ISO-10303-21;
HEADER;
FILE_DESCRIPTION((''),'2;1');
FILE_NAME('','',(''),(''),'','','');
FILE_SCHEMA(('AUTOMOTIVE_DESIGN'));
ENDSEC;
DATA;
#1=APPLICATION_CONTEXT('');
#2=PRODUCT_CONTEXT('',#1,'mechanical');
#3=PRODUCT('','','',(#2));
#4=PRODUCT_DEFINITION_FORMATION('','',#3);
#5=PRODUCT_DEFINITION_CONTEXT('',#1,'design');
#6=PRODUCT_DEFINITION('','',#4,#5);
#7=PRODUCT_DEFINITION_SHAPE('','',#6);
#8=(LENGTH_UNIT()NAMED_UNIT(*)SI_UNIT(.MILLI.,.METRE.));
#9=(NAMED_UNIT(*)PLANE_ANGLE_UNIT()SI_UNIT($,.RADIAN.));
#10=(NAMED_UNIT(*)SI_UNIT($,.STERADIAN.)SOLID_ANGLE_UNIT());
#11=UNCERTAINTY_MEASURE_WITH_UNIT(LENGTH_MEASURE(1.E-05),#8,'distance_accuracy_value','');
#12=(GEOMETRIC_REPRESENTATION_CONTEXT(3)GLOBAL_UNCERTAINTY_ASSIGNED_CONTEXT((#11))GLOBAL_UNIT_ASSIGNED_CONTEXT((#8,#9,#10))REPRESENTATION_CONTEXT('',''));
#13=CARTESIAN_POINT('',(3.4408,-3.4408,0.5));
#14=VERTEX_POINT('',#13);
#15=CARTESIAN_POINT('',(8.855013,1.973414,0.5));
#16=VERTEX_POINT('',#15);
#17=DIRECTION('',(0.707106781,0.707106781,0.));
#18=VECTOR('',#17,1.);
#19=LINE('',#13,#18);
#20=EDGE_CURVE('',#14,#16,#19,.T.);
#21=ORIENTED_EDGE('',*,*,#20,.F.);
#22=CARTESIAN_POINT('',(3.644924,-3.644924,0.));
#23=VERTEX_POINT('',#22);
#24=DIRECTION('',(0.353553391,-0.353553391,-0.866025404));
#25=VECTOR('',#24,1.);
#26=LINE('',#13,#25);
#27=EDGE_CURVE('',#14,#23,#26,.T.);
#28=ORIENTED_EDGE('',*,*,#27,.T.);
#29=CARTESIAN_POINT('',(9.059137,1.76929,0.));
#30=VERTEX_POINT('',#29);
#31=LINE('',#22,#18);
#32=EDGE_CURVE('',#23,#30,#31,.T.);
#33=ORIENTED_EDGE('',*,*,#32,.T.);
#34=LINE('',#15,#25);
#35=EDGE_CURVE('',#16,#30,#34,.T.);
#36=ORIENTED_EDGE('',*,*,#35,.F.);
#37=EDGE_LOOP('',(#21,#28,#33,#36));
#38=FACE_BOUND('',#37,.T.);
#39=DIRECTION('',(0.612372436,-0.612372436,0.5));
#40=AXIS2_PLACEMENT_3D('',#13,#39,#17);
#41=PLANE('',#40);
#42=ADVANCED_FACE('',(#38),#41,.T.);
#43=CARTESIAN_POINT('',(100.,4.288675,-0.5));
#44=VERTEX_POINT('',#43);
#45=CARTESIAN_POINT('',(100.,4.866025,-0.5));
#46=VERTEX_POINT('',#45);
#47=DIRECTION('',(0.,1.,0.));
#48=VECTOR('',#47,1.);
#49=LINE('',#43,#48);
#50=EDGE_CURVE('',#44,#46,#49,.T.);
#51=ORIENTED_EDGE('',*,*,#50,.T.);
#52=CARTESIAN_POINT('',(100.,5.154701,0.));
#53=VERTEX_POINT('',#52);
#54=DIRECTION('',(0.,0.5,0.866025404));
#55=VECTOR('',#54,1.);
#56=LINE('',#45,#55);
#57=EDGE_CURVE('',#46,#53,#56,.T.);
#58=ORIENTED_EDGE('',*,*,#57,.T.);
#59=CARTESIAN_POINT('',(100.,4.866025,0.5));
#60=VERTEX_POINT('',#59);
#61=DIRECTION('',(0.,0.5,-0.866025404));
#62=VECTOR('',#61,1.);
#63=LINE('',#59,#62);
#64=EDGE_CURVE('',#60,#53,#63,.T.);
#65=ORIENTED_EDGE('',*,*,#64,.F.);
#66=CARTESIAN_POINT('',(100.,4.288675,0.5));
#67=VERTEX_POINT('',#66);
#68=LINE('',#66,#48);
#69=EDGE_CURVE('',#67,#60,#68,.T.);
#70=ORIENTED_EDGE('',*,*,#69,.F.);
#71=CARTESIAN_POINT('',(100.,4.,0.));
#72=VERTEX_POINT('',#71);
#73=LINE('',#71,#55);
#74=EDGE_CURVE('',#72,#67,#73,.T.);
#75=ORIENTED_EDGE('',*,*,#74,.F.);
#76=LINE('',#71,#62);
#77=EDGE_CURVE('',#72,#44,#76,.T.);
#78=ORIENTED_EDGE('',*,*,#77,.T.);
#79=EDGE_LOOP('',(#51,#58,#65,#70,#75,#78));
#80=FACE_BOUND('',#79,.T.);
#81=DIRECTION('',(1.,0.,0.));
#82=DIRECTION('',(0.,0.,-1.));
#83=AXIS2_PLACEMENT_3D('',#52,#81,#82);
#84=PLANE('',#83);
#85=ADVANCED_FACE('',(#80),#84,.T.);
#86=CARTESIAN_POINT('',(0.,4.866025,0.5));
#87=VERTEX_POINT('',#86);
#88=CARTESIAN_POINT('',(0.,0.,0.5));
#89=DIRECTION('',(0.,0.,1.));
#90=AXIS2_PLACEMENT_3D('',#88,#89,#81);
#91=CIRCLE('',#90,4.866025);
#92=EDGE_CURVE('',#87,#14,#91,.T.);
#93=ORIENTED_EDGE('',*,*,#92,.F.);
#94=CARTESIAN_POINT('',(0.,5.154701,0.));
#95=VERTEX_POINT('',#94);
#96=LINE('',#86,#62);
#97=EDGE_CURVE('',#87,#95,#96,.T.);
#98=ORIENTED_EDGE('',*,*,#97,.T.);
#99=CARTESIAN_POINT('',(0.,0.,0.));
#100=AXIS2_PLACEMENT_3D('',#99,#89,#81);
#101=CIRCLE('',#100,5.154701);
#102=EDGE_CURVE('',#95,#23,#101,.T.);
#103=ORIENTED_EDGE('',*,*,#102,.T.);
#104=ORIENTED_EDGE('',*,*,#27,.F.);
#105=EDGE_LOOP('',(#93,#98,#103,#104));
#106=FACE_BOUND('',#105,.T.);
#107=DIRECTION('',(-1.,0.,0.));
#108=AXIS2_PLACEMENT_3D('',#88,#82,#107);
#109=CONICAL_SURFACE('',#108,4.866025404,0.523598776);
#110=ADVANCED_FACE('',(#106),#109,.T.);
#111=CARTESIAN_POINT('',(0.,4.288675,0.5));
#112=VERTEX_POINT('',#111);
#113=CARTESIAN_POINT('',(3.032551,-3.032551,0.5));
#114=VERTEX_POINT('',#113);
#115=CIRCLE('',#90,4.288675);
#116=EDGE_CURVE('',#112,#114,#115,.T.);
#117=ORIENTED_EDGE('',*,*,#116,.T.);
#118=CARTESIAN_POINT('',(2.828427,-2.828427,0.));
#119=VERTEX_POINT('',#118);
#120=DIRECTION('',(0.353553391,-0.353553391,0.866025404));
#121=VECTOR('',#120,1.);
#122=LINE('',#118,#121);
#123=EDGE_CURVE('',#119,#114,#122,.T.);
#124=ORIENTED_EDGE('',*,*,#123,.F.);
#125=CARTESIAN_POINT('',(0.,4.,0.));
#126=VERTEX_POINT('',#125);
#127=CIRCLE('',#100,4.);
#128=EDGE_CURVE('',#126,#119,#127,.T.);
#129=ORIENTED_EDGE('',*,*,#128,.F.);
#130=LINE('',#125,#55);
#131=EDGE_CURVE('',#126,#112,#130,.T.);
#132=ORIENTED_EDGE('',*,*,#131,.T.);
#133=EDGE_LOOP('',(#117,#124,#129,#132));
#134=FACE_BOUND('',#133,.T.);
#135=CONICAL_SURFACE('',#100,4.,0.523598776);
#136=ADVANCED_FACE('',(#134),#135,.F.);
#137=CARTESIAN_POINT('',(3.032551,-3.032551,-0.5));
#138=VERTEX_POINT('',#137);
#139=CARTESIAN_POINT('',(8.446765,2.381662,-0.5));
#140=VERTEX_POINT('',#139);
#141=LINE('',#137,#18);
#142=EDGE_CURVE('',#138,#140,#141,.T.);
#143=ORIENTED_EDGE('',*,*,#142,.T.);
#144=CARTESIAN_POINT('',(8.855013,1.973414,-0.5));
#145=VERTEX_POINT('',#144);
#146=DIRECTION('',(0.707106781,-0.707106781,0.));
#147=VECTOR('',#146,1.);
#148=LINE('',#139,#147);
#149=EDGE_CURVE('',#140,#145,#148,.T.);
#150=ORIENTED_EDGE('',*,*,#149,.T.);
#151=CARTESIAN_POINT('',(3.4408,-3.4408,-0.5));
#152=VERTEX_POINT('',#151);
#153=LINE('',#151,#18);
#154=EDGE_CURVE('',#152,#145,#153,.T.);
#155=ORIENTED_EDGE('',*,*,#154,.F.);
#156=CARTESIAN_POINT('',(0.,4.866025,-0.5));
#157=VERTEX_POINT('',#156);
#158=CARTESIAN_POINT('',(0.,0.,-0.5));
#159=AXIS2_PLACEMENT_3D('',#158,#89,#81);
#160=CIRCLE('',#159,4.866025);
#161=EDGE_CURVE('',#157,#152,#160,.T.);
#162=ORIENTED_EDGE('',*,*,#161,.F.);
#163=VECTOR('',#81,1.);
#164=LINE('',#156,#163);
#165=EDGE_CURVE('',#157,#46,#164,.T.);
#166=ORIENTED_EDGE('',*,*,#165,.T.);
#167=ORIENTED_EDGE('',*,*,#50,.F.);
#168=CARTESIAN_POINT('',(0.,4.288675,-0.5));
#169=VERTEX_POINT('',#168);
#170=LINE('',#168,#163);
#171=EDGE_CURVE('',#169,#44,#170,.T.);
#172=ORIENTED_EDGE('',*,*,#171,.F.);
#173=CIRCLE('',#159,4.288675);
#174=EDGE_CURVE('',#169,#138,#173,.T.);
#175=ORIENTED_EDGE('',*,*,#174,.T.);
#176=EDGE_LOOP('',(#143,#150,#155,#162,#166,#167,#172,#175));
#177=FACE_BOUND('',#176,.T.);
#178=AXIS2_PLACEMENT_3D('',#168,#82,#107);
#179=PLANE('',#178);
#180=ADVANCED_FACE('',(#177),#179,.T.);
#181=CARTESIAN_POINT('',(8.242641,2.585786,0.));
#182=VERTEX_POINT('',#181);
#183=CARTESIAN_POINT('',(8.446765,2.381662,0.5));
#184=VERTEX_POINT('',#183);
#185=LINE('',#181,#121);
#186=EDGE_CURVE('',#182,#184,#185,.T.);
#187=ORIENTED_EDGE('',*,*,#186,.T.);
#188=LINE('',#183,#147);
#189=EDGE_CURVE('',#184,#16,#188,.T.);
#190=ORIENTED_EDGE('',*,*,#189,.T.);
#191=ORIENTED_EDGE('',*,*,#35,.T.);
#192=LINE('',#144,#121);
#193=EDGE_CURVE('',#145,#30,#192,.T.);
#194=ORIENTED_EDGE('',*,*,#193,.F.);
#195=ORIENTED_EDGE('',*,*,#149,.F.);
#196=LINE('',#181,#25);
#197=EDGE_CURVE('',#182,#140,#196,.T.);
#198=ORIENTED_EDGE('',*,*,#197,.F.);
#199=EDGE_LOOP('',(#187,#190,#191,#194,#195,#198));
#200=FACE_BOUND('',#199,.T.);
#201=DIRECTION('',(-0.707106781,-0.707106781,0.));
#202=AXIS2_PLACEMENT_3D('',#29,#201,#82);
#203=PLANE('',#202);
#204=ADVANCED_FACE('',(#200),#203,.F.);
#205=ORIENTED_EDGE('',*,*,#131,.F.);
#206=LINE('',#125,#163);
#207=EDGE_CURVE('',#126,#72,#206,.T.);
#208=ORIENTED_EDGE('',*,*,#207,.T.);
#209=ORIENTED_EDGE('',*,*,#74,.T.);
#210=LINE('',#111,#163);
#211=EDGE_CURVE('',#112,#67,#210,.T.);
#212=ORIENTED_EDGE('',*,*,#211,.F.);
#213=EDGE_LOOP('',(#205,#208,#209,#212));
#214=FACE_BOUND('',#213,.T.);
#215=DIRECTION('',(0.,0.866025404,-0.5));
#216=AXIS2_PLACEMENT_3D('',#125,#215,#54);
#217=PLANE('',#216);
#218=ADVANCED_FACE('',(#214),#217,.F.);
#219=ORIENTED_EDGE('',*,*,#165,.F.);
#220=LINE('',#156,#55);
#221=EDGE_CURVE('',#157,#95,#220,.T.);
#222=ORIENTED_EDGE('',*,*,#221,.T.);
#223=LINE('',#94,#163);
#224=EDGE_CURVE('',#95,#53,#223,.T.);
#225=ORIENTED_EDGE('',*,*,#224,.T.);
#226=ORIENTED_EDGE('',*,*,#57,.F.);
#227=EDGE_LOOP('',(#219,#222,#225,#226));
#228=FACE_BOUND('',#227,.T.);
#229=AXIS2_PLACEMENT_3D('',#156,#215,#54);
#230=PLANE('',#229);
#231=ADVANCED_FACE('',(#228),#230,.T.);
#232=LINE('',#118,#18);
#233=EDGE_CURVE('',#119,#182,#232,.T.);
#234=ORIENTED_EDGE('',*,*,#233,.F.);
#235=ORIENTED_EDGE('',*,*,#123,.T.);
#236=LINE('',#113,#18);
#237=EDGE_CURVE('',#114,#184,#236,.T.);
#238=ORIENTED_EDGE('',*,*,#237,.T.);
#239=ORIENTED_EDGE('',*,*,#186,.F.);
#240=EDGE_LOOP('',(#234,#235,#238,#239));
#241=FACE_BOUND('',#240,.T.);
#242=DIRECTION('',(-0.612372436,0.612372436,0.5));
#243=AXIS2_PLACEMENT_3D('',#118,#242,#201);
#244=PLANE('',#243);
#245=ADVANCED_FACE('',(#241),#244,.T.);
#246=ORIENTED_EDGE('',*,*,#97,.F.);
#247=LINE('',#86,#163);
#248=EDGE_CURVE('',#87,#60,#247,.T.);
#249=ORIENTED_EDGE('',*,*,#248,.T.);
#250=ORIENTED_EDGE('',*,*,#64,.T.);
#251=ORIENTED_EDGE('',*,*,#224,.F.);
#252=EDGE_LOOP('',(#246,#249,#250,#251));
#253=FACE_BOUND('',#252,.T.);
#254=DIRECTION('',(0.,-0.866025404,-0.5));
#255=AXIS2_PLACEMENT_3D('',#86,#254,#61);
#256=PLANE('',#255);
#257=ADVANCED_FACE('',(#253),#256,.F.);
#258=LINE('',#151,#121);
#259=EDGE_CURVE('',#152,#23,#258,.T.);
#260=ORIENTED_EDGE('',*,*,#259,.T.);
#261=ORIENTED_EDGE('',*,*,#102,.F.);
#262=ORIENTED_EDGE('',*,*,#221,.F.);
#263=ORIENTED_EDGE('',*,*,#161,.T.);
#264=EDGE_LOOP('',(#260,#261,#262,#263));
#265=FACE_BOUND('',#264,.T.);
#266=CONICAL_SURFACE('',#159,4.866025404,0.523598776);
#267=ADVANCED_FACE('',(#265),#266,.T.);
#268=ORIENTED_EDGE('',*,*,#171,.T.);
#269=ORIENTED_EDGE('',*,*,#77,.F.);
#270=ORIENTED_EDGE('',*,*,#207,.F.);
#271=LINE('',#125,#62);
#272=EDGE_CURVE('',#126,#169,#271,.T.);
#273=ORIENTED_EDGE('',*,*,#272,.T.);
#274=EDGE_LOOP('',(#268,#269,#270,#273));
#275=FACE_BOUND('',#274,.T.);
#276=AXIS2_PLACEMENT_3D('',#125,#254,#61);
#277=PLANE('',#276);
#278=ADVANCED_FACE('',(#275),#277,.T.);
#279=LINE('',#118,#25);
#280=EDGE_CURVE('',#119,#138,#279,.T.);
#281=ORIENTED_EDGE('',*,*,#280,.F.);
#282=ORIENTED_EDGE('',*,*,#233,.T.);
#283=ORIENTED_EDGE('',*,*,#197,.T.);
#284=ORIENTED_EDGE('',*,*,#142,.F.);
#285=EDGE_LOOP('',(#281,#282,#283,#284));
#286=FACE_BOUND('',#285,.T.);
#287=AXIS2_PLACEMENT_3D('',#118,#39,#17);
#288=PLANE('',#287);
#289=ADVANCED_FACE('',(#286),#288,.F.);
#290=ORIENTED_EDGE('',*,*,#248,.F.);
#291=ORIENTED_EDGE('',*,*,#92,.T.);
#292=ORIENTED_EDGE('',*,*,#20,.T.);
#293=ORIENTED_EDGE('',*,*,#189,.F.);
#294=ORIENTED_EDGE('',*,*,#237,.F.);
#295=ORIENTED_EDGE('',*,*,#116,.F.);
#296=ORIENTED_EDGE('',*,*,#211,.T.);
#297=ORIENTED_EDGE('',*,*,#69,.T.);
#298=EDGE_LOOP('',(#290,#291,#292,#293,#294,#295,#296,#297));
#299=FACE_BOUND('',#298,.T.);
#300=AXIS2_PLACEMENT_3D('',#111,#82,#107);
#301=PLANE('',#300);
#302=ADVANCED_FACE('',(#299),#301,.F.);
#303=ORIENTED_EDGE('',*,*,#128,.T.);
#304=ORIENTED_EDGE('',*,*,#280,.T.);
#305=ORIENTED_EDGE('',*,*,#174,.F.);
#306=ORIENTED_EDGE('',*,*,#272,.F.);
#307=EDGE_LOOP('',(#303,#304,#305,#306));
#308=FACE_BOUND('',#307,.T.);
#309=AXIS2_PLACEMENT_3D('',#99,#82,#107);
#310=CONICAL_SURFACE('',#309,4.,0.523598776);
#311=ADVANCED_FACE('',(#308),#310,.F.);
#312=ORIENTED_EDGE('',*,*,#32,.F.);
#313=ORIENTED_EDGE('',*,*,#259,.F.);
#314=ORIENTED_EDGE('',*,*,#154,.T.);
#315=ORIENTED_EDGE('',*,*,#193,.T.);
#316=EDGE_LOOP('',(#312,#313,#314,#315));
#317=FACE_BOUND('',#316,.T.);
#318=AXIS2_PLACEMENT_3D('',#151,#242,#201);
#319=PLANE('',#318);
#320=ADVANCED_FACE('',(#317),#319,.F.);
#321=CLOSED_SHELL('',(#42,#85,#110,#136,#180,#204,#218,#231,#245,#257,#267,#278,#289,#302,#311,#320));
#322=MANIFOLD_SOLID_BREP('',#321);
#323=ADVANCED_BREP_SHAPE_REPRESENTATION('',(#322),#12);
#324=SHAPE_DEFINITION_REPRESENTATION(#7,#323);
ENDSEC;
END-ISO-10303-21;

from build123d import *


with BuildPart() as part:
    # Base-Sweep: sweep along a path in Sketch1
    with BuildLine(Plane.XY) as base_sweep_path:
        Line((100, 4), (0, 4))
        ThreePointArc((0, 4), (-3.69551813, -1.530733729), (2.828427125, -2.828427125))
        Line((2.828427125, -2.828427125), (8.242640687, 2.585786438))
    # Sketch2 → Base-Sweep (sweep)
    with BuildSketch(Plane(origin=(100, 4, 0), x_dir=(0, 0, 1), z_dir=(-1, 0, 0))):
        Polygon((-0.5, 0.866025404), (0, 1.154700538), (0.5, 0.866025404), (0.5, 0.288675135), (0, 0), (-0.5, 0.288675135), align=None)
    sweep(path=base_sweep_path.line)


solid = part.part
